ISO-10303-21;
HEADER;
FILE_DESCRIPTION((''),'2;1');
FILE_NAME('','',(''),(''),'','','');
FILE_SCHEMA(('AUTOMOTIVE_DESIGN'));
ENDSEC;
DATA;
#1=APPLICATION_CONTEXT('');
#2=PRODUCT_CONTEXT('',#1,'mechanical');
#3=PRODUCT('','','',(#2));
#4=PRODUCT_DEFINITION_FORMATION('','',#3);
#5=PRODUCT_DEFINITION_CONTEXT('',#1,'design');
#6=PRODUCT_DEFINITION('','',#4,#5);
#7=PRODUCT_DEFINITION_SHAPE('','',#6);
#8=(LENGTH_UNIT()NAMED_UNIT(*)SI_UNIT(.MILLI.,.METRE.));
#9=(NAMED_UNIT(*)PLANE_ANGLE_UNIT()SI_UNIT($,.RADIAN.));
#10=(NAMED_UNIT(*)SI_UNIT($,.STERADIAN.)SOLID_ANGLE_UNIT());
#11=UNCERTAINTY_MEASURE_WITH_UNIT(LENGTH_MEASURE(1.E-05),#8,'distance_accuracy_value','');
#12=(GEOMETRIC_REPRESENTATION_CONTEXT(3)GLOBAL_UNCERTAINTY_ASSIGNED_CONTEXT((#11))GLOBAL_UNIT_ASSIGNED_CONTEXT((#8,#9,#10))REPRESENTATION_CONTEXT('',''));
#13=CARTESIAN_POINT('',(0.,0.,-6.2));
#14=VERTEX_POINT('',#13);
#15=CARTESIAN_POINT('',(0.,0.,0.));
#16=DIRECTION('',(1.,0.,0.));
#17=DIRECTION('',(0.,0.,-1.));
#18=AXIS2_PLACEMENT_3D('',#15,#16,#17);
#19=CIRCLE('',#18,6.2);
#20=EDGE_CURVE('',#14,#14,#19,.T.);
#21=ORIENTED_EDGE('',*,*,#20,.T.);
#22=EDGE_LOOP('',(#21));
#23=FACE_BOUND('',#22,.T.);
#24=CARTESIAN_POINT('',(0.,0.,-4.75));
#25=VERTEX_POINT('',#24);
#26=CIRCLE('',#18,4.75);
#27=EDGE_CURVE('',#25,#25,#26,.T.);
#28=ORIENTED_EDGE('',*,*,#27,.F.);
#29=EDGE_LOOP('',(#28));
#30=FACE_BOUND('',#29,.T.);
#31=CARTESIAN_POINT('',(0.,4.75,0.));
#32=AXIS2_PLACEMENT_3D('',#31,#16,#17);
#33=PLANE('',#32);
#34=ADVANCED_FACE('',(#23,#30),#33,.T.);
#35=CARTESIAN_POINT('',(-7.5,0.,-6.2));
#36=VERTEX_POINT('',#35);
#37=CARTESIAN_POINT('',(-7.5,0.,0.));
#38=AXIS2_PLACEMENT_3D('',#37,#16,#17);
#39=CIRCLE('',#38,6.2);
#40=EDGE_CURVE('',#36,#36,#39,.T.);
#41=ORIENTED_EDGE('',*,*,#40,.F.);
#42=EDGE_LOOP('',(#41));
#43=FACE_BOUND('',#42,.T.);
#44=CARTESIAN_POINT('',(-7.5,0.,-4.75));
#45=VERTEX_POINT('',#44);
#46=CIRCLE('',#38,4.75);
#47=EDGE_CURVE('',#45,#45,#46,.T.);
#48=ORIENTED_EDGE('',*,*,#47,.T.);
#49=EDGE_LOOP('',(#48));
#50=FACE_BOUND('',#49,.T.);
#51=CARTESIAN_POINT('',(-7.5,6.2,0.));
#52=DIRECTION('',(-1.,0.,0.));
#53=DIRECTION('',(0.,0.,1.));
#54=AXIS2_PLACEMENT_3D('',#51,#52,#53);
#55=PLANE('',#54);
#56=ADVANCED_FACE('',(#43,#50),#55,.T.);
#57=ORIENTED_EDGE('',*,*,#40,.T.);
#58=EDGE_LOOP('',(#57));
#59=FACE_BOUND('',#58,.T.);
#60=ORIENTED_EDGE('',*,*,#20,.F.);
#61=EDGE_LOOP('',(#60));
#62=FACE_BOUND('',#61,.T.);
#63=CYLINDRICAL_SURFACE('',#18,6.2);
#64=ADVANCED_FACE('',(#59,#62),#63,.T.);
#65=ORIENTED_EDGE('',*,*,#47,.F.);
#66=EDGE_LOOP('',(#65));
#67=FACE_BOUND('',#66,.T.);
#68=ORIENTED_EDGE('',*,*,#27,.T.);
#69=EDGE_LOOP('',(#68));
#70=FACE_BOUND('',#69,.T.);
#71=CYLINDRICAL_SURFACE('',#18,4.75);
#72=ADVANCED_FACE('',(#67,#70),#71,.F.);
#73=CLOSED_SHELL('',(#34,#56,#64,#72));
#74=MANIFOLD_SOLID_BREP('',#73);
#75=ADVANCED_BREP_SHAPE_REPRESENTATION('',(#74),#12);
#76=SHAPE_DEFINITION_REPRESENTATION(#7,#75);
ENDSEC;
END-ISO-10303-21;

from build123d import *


with BuildPart() as part:
    # Sketch1 → Base-Revolve (revolve)
    with BuildSketch(Plane.XY):
        Polygon((0, 4.75), (0, 6.2), (-4, 6.2), (-7.5, 6.2), (-7.5, 4.75), align=None)
    revolve(axis=Axis((0, 0, 0), (-1, 0, 0)))


solid = part.part
